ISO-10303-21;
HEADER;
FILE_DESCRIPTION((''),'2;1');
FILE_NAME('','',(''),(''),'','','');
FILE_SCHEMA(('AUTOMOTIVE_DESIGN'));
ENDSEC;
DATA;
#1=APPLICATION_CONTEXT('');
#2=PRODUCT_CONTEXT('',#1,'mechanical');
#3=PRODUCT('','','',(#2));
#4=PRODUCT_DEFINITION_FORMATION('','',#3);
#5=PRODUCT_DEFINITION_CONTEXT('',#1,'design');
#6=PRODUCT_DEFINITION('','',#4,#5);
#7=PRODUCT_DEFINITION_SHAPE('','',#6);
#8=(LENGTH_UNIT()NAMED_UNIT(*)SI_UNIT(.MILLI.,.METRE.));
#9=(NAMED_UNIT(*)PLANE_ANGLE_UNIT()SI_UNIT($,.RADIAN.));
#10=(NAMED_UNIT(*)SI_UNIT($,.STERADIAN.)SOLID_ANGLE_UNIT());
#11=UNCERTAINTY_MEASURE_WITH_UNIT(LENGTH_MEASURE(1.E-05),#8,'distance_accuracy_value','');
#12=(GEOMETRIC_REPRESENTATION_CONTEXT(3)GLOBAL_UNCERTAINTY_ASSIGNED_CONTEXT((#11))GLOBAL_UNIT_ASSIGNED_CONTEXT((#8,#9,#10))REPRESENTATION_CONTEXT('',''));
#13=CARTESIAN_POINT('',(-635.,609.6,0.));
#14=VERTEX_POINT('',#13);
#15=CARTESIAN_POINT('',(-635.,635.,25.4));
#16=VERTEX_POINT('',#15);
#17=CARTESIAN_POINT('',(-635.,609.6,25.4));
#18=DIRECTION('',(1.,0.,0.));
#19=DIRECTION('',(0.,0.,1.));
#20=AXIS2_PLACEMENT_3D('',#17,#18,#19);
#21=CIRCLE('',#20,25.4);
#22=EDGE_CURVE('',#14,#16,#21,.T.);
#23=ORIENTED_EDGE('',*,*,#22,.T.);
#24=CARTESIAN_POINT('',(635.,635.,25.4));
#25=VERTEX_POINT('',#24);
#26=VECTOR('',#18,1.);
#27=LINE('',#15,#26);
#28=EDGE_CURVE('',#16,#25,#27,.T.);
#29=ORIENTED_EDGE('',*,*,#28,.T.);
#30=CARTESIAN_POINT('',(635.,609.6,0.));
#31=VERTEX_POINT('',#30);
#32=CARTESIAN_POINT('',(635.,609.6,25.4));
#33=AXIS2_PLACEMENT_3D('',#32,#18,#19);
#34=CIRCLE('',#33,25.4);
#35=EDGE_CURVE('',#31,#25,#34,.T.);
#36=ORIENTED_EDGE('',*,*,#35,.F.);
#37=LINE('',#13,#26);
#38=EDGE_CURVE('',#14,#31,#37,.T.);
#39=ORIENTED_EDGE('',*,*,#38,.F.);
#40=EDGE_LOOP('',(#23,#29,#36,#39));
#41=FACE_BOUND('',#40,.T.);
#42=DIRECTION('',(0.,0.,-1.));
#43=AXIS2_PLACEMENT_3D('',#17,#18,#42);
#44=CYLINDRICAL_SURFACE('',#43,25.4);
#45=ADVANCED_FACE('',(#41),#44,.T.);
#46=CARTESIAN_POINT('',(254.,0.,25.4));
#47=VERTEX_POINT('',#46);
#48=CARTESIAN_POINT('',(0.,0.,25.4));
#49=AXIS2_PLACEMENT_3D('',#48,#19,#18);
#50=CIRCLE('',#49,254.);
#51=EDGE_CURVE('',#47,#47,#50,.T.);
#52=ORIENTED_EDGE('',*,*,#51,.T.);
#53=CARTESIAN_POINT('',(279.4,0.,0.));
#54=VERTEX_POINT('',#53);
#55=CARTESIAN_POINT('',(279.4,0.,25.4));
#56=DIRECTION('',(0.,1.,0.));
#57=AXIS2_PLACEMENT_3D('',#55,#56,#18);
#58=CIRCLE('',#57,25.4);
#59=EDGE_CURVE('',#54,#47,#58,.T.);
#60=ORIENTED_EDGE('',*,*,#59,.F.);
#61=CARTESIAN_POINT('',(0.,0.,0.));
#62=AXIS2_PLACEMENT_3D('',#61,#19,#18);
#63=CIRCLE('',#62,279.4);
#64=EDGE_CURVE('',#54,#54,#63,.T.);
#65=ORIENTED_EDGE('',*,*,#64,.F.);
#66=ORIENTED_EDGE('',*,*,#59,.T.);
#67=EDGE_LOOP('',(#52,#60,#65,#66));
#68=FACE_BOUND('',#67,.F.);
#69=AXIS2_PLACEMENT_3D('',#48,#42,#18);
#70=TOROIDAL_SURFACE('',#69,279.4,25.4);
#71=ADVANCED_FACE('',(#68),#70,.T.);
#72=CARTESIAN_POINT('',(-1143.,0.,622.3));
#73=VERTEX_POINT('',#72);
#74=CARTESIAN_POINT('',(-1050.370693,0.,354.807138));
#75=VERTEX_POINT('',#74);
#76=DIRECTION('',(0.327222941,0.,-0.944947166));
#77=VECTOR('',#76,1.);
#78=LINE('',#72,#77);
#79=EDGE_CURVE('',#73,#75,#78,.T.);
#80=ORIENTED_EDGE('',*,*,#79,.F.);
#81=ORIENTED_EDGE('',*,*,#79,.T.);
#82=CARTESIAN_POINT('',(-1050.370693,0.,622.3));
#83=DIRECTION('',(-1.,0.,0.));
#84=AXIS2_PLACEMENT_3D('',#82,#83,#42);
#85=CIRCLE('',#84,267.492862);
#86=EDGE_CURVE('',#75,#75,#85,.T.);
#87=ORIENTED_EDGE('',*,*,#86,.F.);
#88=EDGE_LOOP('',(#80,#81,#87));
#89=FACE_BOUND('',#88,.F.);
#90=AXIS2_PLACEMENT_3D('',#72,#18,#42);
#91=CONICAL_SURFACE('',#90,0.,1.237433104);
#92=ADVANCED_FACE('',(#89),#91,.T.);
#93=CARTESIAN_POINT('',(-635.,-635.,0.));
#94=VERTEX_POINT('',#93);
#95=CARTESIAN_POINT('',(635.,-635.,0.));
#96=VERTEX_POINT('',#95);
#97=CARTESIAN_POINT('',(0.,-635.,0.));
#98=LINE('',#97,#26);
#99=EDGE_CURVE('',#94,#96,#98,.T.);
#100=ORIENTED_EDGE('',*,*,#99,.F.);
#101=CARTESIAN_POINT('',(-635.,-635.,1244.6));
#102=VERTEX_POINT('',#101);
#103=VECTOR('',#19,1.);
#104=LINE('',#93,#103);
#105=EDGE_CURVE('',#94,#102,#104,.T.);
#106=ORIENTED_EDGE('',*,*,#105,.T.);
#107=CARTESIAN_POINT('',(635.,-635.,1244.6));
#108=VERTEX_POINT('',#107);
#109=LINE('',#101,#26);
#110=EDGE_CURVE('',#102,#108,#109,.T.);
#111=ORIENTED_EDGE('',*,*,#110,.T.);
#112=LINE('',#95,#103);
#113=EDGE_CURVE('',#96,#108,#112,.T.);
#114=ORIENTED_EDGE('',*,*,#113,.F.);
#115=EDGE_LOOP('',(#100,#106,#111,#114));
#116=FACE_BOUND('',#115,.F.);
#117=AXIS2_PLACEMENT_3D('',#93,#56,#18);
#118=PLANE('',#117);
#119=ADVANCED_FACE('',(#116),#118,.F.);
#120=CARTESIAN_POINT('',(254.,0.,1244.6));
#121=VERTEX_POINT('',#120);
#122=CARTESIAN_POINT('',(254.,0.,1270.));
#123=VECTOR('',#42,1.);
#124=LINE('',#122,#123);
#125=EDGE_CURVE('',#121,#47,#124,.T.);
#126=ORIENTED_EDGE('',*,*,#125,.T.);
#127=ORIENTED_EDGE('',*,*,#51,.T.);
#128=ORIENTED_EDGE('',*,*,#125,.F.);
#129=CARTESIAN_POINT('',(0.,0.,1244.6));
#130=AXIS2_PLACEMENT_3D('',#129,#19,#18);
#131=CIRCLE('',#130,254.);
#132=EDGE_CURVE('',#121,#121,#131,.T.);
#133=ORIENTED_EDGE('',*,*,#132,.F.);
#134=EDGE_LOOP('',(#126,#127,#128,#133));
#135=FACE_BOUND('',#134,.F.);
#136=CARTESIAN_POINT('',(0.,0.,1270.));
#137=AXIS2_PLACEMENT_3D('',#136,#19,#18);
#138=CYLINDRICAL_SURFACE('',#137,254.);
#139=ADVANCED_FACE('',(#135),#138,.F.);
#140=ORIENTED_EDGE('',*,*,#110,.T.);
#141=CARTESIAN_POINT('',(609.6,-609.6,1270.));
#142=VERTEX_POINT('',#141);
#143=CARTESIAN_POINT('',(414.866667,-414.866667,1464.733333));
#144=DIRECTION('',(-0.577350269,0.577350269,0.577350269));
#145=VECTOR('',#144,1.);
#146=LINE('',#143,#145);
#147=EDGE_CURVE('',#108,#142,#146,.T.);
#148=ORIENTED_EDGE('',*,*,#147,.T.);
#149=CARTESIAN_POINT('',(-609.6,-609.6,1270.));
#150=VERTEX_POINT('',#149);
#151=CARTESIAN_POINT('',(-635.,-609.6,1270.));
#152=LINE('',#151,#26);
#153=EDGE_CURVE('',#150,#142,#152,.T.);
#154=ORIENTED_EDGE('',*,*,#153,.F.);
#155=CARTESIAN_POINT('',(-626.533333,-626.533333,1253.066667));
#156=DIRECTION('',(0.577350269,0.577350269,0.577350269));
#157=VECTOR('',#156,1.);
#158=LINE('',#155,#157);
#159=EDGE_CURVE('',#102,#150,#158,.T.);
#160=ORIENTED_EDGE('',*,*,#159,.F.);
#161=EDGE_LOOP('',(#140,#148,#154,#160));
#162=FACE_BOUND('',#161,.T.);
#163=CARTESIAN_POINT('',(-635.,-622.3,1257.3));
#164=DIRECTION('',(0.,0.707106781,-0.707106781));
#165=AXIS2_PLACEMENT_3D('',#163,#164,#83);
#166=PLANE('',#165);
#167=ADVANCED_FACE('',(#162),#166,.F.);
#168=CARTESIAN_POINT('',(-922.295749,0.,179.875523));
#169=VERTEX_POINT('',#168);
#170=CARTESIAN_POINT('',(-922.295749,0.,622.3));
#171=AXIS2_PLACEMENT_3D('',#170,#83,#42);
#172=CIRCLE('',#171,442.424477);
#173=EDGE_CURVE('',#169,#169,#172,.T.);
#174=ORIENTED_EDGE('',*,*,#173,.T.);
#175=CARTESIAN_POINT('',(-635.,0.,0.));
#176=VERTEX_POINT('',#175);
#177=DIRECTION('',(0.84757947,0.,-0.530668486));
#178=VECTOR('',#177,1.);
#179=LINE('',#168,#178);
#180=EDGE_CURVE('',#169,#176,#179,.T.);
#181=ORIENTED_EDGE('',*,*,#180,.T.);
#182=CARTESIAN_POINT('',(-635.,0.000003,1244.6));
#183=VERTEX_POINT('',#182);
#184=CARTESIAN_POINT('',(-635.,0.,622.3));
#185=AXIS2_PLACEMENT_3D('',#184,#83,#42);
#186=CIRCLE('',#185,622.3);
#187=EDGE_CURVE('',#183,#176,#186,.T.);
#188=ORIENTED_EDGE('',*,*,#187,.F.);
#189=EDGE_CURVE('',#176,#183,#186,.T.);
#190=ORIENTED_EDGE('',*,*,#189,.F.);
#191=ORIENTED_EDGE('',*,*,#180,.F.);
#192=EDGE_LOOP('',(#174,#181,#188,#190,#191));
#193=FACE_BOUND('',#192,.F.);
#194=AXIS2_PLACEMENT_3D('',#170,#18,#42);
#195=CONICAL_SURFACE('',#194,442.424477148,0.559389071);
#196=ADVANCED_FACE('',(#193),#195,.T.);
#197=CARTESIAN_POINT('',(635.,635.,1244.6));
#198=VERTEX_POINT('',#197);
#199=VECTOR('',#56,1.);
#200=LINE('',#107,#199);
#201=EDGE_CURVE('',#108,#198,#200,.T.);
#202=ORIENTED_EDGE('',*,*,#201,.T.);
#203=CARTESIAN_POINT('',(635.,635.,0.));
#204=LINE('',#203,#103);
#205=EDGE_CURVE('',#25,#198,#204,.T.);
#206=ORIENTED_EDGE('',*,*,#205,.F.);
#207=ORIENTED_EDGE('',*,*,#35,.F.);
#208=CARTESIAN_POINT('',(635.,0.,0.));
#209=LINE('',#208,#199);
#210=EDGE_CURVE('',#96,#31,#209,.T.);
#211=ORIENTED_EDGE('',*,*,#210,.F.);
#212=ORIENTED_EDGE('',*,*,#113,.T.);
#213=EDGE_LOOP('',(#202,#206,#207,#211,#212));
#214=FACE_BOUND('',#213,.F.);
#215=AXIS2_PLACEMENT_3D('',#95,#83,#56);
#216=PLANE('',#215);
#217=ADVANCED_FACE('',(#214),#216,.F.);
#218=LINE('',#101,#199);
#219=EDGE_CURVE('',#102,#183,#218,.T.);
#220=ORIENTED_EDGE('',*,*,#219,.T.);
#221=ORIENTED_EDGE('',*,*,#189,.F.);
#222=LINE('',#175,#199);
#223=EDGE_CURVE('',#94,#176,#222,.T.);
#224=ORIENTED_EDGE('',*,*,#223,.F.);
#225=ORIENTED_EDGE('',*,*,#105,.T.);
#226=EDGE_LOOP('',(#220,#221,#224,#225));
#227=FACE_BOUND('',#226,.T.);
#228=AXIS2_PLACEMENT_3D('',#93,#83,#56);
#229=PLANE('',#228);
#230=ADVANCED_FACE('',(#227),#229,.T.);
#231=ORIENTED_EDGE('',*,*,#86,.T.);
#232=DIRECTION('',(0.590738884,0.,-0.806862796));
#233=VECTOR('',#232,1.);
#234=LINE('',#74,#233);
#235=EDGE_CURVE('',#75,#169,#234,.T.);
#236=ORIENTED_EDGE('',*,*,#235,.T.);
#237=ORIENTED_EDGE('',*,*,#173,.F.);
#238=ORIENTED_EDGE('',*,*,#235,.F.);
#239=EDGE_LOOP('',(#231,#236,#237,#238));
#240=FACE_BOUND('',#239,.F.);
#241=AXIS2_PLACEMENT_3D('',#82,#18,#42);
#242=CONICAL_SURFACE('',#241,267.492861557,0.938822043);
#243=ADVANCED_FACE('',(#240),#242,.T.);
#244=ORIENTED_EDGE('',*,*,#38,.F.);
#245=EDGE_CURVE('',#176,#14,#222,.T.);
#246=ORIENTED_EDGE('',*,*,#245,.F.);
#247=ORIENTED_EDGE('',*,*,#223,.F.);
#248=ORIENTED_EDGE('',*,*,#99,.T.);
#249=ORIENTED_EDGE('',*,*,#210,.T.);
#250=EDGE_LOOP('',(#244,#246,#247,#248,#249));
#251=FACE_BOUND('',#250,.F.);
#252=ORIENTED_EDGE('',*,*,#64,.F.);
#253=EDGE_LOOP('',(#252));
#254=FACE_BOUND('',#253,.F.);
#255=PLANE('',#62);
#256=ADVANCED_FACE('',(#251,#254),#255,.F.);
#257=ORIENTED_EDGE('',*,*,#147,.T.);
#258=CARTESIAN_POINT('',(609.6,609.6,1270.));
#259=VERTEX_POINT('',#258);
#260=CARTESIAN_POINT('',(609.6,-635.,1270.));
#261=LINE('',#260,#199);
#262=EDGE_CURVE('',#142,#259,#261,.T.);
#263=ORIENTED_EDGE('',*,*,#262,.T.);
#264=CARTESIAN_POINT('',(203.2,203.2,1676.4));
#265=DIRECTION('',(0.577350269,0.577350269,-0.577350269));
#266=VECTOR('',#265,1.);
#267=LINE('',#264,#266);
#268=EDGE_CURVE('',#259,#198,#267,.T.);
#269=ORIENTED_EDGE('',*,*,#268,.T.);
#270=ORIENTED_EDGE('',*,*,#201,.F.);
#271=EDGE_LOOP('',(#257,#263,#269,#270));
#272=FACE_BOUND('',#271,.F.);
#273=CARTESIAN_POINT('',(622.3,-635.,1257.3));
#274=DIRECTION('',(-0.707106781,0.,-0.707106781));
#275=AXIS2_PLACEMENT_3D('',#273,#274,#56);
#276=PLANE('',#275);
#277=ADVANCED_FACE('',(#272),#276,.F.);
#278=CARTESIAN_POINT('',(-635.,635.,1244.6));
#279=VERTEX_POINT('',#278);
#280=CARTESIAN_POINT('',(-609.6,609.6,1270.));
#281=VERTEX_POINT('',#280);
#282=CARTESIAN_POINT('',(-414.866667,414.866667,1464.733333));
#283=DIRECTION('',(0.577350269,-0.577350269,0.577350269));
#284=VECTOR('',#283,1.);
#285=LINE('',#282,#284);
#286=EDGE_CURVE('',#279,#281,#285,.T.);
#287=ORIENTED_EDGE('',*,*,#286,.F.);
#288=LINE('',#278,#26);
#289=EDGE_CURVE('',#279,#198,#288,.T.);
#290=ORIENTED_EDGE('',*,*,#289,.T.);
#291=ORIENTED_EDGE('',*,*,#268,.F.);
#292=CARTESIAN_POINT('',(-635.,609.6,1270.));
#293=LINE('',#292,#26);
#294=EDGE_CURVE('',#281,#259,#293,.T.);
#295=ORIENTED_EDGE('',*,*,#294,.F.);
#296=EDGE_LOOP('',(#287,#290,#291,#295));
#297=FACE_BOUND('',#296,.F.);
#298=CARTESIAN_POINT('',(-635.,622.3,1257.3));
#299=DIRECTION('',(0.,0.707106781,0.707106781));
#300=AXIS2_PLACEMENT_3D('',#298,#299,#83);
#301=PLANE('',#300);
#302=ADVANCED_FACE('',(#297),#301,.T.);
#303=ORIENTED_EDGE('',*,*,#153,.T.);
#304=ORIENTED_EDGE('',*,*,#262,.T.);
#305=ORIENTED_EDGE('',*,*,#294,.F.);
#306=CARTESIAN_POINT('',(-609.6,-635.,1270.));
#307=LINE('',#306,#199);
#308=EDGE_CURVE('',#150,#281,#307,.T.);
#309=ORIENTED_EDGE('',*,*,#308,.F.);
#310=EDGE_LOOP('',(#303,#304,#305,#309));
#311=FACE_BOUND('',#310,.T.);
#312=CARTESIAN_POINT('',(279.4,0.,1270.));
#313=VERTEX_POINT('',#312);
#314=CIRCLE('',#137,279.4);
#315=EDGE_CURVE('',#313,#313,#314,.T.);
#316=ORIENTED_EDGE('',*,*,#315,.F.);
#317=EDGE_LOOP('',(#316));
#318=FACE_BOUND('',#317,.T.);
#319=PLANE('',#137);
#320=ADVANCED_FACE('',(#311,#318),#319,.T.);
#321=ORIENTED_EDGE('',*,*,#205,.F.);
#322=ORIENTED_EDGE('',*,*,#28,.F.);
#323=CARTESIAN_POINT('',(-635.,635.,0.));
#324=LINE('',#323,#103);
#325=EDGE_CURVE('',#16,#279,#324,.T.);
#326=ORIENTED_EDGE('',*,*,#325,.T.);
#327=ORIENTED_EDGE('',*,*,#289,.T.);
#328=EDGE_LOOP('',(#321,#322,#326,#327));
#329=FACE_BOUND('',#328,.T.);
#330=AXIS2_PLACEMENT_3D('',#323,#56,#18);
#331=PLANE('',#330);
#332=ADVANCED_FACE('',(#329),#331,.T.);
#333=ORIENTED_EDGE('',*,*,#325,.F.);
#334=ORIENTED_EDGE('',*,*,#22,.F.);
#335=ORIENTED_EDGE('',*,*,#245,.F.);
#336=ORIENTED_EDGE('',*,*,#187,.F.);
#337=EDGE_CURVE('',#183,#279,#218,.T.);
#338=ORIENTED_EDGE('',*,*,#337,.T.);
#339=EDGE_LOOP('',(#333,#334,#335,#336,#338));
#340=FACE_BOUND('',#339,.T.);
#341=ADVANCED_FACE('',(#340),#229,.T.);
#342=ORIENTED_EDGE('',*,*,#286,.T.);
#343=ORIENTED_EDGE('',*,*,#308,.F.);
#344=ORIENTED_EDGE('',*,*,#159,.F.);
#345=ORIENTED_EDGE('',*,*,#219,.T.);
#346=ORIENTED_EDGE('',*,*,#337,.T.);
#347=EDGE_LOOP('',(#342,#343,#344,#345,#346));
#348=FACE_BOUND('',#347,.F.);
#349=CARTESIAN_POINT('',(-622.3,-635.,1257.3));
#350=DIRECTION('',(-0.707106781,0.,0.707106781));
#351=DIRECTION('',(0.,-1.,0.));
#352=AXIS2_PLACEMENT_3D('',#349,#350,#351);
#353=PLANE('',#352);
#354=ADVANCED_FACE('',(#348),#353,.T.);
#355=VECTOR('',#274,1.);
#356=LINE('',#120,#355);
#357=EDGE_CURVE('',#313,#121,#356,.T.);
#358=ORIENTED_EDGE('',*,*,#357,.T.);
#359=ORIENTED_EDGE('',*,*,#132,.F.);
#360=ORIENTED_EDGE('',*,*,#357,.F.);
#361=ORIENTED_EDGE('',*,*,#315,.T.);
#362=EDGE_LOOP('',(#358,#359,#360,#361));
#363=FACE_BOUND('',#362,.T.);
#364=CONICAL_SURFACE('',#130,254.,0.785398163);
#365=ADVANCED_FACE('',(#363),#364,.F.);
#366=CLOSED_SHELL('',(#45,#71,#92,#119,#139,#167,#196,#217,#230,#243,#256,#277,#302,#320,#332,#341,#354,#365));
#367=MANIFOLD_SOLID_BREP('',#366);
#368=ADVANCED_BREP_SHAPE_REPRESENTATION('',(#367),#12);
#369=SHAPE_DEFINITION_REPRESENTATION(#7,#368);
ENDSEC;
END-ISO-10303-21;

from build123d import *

# Parameters (mm, degrees)
F0_W     = 1270
F0_H     = 1270
F1_DEPTH = 1270
F2_R     = 254
F3_DEPTH = 1270.001
F4_SIZE  = 25.4
F5_R     = 25.4
F6_R     = 25.4


with BuildPart() as f1:
    # F0 (on Top) → F1 (new body)
    with BuildSketch(Plane.XY):
        Rectangle(F0_W, F0_H)
    extrude(amount=F1_DEPTH)

    # F2 (on face) → F3 (cut, through all)
    with BuildSketch(Plane.XY.offset(1270)):
        Circle(F2_R)
    extrude(amount=-F3_DEPTH, mode=Mode.SUBTRACT)

    # F4
    f4_edges = [f1.edges().sort_by_distance(p)[0] for p in [
        (0, -635, 1270),
        (-635, 0, 1270),
        (635, 0, 1270),
        (0, 635, 1270),
        (-254, 0, 1270),
    ]]
    chamfer(f4_edges, length=F4_SIZE)

    # F5
    f5_edges = [f1.edges().sort_by_distance(p)[0] for p in [
        (-254, 0, 0),
    ]]
    fillet(f5_edges, radius=F5_R)

    # F6
    f6_edges = [f1.edges().sort_by_distance(p)[0] for p in [
        (0, 635, 0),
    ]]
    fillet(f6_edges, radius=F6_R)

    # F7 (on Front) → F8 (revolve)
    with BuildSketch(Plane.XZ):
        Polygon((-635, 0), (-635, 622.3), (-1143, 622.3), (-1050.3706932068, 354.807138443), (-922.2957491875, 179.8755228519), align=None)
    revolve(axis=Axis((-889, 0, 622.3), (-1, 0, 0)))


solid = f1.part
